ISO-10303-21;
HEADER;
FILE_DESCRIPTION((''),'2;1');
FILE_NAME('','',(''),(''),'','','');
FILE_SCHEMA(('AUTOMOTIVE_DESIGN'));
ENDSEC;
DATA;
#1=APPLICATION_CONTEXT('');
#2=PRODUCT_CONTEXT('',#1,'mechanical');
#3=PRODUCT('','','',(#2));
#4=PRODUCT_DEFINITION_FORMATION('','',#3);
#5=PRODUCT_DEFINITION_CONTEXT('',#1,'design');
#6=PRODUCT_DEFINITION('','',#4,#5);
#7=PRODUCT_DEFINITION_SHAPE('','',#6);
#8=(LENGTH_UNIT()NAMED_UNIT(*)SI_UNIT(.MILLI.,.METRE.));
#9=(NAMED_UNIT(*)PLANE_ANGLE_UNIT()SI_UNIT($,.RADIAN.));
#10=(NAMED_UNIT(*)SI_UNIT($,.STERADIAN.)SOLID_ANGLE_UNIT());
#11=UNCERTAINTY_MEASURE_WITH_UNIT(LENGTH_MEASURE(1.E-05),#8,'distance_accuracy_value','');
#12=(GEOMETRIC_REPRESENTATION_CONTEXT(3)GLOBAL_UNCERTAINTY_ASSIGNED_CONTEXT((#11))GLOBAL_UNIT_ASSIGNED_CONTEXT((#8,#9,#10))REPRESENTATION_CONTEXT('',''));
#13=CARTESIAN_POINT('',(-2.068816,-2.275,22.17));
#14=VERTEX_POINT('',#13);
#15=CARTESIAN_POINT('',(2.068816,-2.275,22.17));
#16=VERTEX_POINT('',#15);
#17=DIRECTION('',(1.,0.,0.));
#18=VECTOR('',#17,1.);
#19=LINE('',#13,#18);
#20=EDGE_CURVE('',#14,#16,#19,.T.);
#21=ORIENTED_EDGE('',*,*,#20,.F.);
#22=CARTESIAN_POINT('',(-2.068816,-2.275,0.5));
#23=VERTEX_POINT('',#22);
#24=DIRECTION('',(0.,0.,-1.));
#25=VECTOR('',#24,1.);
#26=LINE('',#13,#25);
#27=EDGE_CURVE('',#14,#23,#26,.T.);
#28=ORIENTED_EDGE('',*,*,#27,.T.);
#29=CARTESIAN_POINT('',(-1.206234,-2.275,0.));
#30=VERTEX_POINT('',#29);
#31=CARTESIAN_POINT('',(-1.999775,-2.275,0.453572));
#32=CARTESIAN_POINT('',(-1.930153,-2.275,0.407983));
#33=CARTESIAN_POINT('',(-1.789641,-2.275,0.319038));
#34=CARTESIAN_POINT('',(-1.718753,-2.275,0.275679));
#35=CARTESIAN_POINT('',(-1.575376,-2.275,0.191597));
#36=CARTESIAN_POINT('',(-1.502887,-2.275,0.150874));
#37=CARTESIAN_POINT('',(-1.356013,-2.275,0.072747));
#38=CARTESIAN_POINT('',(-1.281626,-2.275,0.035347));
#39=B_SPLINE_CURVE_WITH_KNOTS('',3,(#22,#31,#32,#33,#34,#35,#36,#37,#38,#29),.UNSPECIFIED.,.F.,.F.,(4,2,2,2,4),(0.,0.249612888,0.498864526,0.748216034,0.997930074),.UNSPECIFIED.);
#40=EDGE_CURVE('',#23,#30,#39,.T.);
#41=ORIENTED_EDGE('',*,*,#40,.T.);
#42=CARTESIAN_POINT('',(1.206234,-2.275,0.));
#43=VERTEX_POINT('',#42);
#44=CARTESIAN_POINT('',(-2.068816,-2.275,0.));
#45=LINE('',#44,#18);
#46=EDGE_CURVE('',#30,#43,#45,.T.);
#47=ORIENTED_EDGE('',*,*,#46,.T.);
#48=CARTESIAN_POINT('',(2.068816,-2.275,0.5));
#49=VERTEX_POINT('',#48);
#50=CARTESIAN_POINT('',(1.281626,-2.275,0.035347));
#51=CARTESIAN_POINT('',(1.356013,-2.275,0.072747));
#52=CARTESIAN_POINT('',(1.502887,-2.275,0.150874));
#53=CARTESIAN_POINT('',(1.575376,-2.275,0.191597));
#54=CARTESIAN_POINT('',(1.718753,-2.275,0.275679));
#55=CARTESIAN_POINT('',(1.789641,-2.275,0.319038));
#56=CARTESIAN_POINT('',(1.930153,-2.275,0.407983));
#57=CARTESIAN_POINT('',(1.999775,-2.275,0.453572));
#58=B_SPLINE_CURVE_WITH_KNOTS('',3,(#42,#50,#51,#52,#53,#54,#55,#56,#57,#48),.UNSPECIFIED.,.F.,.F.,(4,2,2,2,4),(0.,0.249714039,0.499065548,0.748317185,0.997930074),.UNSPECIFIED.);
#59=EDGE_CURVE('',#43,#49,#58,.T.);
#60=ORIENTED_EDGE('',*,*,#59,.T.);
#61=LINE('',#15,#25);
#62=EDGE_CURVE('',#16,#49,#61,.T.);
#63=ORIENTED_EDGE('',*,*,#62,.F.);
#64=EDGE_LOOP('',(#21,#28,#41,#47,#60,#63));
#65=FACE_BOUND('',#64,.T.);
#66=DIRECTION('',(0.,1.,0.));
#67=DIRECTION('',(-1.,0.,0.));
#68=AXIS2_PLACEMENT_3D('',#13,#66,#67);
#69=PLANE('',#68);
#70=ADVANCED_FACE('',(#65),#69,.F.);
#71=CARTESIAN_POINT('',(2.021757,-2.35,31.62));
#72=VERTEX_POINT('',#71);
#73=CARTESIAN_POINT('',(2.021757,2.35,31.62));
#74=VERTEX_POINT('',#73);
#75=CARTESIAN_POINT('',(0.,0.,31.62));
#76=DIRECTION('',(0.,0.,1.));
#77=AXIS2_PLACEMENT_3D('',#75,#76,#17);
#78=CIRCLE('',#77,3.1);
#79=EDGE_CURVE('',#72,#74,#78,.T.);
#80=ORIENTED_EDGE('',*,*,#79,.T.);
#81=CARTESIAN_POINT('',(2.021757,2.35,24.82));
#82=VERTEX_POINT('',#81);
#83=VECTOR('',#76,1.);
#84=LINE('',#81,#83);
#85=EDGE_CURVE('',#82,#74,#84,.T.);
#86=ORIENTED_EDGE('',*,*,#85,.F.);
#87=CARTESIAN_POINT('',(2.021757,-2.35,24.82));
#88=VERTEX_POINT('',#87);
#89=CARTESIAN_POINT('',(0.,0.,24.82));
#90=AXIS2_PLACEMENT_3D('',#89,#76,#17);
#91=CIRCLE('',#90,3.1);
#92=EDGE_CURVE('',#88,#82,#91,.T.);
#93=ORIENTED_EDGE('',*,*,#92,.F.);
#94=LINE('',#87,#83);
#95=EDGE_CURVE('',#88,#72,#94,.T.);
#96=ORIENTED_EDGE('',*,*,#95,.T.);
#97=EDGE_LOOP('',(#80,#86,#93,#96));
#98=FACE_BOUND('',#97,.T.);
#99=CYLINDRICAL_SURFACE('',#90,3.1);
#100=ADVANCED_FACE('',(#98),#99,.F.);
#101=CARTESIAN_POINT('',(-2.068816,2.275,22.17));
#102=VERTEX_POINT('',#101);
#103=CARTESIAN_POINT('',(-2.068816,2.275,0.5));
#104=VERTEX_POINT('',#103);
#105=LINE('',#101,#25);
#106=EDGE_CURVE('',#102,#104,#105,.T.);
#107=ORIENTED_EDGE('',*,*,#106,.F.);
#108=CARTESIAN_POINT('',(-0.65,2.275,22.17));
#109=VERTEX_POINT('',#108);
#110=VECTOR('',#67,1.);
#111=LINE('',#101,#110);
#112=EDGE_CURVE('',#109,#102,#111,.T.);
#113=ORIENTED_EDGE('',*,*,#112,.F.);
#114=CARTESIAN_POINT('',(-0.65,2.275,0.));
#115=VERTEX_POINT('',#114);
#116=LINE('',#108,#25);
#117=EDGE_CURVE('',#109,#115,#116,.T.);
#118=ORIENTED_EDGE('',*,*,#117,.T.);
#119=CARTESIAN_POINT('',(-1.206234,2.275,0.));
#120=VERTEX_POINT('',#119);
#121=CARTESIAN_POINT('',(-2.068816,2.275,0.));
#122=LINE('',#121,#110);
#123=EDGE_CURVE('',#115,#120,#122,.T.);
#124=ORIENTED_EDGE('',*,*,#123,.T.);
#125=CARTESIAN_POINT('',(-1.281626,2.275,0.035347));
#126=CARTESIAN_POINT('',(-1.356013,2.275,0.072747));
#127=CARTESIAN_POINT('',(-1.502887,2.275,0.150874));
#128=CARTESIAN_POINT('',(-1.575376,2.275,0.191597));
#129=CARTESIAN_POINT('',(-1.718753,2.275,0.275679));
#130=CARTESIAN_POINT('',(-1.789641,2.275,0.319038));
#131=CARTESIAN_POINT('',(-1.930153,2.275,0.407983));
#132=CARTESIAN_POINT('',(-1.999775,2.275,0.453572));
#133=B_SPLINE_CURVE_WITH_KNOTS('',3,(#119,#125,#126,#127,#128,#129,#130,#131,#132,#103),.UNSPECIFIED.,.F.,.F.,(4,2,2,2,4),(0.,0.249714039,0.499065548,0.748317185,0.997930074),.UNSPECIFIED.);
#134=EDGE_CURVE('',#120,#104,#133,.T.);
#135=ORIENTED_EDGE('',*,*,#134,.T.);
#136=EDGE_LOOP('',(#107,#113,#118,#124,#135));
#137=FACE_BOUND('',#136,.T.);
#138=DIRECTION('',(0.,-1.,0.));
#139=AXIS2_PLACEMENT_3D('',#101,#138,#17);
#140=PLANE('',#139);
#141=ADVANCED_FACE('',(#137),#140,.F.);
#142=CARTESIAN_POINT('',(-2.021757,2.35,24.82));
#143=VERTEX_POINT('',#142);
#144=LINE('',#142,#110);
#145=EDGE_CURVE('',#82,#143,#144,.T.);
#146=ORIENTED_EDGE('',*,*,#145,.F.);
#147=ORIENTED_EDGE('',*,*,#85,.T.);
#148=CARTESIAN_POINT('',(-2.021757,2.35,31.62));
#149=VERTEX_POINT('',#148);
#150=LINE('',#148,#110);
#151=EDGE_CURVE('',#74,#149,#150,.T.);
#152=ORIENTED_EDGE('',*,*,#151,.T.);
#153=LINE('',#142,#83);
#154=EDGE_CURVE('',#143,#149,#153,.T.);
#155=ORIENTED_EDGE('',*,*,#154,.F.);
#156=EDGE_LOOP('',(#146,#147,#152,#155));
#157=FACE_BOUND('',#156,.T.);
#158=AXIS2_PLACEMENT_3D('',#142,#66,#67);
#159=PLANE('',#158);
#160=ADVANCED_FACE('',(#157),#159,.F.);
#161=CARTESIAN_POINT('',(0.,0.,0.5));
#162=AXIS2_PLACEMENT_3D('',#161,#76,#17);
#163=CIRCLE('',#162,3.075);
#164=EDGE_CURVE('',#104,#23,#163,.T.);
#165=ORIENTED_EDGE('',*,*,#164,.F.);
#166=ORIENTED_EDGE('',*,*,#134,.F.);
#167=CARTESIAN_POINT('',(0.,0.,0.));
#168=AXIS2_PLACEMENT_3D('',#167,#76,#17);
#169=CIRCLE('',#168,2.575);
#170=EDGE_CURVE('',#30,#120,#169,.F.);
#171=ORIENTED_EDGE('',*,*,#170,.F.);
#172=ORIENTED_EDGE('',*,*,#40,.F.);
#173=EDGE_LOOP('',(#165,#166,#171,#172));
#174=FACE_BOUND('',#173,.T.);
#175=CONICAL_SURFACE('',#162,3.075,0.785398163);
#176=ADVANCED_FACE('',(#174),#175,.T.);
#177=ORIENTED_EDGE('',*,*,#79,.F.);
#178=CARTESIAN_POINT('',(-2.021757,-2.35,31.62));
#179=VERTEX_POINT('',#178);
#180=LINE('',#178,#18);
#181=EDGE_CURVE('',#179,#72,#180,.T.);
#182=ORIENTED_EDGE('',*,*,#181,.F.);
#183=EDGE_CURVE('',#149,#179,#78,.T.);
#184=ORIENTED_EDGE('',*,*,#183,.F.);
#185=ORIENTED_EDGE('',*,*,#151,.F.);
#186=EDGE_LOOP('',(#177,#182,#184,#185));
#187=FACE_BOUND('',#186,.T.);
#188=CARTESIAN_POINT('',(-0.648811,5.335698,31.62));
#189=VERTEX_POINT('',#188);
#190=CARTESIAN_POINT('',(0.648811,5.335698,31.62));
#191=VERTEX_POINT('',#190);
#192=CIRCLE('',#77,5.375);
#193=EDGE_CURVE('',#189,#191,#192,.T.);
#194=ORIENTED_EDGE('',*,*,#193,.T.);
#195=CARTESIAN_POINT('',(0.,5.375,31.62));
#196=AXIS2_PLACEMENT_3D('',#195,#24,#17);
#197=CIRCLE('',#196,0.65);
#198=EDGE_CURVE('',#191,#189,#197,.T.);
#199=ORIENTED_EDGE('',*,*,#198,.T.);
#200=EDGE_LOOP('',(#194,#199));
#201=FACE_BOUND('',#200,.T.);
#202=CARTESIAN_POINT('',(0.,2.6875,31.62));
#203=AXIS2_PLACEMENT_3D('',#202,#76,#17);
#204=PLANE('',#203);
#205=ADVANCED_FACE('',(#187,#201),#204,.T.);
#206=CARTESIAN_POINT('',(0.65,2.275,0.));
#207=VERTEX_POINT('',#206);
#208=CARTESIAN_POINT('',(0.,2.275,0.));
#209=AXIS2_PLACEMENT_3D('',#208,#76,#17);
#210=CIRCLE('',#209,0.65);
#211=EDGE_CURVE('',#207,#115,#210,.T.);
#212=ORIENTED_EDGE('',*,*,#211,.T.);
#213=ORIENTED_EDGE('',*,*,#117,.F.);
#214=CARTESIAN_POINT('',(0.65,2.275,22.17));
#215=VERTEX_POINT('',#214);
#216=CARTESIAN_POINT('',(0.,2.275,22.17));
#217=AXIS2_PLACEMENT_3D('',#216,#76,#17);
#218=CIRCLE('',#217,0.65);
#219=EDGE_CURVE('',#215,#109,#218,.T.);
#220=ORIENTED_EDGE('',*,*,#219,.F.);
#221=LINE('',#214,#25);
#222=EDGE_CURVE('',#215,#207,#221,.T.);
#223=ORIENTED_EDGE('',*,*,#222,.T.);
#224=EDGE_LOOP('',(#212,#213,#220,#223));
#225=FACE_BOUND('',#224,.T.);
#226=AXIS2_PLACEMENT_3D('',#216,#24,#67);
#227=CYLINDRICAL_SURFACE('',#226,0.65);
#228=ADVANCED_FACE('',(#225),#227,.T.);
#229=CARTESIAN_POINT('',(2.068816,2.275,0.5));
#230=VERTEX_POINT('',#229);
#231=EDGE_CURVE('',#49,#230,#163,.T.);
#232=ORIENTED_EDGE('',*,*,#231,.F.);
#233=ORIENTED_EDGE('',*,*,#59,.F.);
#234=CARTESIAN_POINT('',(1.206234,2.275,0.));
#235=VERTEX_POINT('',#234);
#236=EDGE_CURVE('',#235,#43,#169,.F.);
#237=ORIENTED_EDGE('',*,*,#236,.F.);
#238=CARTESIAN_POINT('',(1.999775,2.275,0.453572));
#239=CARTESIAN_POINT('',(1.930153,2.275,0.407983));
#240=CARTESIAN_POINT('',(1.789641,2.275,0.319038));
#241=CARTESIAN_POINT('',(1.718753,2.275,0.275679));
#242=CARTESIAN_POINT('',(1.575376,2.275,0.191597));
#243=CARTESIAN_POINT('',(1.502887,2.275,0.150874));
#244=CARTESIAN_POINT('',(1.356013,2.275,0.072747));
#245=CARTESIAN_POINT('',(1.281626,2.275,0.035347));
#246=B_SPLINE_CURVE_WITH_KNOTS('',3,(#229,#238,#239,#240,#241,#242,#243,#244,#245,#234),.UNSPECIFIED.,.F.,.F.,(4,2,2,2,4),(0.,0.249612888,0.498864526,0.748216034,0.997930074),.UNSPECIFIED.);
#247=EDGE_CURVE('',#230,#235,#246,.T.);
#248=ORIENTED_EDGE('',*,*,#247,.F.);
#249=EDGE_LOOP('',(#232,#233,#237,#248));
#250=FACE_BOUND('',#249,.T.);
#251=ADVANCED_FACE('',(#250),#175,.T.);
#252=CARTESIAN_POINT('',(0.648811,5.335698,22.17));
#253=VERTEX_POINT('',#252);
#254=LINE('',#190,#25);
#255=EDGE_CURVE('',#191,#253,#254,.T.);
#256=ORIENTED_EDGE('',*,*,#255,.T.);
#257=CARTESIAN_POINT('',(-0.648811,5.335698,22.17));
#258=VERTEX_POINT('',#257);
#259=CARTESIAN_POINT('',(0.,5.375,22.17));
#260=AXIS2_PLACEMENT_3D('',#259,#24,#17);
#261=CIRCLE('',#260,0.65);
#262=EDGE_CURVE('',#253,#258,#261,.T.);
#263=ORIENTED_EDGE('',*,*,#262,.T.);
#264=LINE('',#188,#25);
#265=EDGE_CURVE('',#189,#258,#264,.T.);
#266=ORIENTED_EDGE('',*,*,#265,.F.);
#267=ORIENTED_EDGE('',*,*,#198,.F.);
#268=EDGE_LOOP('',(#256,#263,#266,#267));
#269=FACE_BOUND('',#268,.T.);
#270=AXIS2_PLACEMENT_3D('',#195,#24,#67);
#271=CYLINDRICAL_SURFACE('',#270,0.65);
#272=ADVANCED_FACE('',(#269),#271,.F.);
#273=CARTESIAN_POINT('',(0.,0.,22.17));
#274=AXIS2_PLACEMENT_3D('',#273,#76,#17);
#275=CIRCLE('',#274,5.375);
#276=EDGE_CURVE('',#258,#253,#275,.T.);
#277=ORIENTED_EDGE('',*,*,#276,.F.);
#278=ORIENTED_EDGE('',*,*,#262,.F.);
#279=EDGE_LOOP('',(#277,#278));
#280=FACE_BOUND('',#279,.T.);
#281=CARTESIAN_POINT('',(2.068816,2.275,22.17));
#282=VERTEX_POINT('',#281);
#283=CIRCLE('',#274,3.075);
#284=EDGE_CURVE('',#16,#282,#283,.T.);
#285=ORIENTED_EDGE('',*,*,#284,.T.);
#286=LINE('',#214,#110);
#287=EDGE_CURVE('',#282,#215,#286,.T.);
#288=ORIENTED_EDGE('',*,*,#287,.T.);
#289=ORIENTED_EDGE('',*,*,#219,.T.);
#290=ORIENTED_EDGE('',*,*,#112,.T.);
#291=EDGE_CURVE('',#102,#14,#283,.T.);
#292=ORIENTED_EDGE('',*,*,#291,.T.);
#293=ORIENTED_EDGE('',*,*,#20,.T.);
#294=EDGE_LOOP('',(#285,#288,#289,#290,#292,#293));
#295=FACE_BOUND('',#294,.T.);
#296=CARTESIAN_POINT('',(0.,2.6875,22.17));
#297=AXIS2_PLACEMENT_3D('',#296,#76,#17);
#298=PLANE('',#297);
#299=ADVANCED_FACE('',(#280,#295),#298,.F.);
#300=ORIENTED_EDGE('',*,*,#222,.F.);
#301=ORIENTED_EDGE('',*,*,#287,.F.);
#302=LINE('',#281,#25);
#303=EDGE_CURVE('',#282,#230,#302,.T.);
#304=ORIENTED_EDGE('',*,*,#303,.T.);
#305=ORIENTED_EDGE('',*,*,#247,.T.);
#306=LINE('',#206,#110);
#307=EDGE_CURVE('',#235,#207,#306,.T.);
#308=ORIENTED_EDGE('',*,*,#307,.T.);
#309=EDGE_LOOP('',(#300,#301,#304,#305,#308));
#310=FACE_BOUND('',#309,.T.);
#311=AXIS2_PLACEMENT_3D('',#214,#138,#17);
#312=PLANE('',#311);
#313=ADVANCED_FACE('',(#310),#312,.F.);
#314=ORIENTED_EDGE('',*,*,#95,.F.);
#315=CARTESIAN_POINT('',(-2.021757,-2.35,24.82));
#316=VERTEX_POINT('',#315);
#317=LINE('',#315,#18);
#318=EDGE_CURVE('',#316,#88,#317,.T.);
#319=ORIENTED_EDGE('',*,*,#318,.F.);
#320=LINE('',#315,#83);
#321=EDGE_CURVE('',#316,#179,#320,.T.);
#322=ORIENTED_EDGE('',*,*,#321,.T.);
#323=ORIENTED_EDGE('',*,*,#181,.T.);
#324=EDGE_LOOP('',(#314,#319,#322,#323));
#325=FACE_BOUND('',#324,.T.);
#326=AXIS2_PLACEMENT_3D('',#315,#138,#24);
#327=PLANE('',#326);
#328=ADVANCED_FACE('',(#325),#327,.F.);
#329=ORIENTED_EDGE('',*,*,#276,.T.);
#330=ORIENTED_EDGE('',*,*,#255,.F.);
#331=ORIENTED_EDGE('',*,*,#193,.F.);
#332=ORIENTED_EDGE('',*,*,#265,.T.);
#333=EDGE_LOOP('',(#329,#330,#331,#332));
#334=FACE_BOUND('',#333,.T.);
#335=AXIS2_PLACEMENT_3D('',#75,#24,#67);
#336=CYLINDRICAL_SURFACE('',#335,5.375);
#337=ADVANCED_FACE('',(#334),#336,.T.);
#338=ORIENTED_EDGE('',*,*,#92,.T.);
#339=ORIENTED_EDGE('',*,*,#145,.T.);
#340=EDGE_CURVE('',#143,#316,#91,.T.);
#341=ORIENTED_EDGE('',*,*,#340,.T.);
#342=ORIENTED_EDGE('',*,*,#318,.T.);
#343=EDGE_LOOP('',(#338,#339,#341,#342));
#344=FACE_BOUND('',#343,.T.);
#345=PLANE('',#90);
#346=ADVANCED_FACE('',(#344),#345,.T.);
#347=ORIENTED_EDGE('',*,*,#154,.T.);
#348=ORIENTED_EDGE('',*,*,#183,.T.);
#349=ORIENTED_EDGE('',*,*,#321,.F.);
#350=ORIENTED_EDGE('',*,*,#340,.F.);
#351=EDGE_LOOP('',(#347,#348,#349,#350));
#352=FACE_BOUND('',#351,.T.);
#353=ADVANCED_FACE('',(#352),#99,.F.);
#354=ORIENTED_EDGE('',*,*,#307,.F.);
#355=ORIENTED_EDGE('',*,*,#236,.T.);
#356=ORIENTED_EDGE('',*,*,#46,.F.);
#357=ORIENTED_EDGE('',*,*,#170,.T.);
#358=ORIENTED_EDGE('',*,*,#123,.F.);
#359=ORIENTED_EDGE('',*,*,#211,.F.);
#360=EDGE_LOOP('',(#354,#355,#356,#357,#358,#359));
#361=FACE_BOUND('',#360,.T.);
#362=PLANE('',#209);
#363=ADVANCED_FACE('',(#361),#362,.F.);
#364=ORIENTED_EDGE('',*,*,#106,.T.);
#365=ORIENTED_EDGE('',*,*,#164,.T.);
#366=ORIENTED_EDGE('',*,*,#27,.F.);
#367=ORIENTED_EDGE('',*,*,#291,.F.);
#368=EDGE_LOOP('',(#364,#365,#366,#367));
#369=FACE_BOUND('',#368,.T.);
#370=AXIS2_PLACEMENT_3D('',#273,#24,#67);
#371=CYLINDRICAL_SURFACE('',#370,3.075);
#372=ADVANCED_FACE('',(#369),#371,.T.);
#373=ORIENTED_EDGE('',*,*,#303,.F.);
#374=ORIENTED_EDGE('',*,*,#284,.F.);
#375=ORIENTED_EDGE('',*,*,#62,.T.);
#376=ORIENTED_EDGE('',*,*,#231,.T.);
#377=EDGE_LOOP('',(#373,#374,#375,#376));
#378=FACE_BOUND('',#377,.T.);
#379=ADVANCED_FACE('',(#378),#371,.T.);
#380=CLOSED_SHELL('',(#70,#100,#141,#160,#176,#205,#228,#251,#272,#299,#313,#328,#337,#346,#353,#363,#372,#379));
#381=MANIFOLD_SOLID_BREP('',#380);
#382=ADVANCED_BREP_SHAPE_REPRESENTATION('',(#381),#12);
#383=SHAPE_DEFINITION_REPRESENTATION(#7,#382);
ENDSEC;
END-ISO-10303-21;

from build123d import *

# Parameters (mm, degrees)
BOSS_EXTRUDE1_DEPTH = 22.17
BOSS_EXTRUDE2_DEPTH = 9.45
CUT_EXTRUDE1_DEPTH  = 6.8
CHAMFER1_SIZE       = 0.5


with BuildPart() as part:
    # Sketch1 → Boss-Extrude1 (new body)
    with BuildSketch(Plane.XY):
        with BuildLine():
            Line((0.65, 2.275), (2.068816087, 2.275))
            ThreePointArc((2.068816087, 2.275), (3.075, 0), (2.068816087, -2.275))
            Line((2.068816087, -2.275), (-2.068816087, -2.275))
            ThreePointArc((-2.068816087, -2.275), (-3.075, 0), (-2.068816087, 2.275))
            Line((-2.068816087, 2.275), (-0.65, 2.275))
            ThreePointArc((-0.65, 2.275), (0, 2.925), (0.65, 2.275))
        make_face()
    extrude(amount=BOSS_EXTRUDE1_DEPTH)

    # Sketch2 → Boss-Extrude2 (add)
    with BuildSketch(Plane.XY.offset(22.17)):
        with BuildLine():
            ThreePointArc((-0.648810702, 5.335697674), (0, -5.375), (0.648810702, 5.335697674))
            ThreePointArc((0.648810702, 5.335697674), (0, 4.725), (-0.648810702, 5.335697674))
        make_face()
    extrude(amount=BOSS_EXTRUDE2_DEPTH)

    # Sketch3 → Cut-Extrude1 (cut)
    with BuildSketch(Plane.XY.offset(31.62)):
        with BuildLine():
            Line((-2.021756662, 2.35), (2.021756662, 2.35))
            ThreePointArc((2.021756662, 2.35), (3.1, 0), (2.021756662, -2.35))
            Line((2.021756662, -2.35), (-2.021756662, -2.35))
            ThreePointArc((-2.021756662, -2.35), (-3.1, 0), (-2.021756662, 2.35))
        make_face()
    extrude(amount=-CUT_EXTRUDE1_DEPTH, mode=Mode.SUBTRACT)

    # Chamfer1
    chamfer1_edges = [part.edges().sort_by_distance(p)[0] for p in [
        (3.075, 0, 0),
        (-3.075, 0, 0),
    ]]
    chamfer(chamfer1_edges, length=CHAMFER1_SIZE)


solid = part.part
